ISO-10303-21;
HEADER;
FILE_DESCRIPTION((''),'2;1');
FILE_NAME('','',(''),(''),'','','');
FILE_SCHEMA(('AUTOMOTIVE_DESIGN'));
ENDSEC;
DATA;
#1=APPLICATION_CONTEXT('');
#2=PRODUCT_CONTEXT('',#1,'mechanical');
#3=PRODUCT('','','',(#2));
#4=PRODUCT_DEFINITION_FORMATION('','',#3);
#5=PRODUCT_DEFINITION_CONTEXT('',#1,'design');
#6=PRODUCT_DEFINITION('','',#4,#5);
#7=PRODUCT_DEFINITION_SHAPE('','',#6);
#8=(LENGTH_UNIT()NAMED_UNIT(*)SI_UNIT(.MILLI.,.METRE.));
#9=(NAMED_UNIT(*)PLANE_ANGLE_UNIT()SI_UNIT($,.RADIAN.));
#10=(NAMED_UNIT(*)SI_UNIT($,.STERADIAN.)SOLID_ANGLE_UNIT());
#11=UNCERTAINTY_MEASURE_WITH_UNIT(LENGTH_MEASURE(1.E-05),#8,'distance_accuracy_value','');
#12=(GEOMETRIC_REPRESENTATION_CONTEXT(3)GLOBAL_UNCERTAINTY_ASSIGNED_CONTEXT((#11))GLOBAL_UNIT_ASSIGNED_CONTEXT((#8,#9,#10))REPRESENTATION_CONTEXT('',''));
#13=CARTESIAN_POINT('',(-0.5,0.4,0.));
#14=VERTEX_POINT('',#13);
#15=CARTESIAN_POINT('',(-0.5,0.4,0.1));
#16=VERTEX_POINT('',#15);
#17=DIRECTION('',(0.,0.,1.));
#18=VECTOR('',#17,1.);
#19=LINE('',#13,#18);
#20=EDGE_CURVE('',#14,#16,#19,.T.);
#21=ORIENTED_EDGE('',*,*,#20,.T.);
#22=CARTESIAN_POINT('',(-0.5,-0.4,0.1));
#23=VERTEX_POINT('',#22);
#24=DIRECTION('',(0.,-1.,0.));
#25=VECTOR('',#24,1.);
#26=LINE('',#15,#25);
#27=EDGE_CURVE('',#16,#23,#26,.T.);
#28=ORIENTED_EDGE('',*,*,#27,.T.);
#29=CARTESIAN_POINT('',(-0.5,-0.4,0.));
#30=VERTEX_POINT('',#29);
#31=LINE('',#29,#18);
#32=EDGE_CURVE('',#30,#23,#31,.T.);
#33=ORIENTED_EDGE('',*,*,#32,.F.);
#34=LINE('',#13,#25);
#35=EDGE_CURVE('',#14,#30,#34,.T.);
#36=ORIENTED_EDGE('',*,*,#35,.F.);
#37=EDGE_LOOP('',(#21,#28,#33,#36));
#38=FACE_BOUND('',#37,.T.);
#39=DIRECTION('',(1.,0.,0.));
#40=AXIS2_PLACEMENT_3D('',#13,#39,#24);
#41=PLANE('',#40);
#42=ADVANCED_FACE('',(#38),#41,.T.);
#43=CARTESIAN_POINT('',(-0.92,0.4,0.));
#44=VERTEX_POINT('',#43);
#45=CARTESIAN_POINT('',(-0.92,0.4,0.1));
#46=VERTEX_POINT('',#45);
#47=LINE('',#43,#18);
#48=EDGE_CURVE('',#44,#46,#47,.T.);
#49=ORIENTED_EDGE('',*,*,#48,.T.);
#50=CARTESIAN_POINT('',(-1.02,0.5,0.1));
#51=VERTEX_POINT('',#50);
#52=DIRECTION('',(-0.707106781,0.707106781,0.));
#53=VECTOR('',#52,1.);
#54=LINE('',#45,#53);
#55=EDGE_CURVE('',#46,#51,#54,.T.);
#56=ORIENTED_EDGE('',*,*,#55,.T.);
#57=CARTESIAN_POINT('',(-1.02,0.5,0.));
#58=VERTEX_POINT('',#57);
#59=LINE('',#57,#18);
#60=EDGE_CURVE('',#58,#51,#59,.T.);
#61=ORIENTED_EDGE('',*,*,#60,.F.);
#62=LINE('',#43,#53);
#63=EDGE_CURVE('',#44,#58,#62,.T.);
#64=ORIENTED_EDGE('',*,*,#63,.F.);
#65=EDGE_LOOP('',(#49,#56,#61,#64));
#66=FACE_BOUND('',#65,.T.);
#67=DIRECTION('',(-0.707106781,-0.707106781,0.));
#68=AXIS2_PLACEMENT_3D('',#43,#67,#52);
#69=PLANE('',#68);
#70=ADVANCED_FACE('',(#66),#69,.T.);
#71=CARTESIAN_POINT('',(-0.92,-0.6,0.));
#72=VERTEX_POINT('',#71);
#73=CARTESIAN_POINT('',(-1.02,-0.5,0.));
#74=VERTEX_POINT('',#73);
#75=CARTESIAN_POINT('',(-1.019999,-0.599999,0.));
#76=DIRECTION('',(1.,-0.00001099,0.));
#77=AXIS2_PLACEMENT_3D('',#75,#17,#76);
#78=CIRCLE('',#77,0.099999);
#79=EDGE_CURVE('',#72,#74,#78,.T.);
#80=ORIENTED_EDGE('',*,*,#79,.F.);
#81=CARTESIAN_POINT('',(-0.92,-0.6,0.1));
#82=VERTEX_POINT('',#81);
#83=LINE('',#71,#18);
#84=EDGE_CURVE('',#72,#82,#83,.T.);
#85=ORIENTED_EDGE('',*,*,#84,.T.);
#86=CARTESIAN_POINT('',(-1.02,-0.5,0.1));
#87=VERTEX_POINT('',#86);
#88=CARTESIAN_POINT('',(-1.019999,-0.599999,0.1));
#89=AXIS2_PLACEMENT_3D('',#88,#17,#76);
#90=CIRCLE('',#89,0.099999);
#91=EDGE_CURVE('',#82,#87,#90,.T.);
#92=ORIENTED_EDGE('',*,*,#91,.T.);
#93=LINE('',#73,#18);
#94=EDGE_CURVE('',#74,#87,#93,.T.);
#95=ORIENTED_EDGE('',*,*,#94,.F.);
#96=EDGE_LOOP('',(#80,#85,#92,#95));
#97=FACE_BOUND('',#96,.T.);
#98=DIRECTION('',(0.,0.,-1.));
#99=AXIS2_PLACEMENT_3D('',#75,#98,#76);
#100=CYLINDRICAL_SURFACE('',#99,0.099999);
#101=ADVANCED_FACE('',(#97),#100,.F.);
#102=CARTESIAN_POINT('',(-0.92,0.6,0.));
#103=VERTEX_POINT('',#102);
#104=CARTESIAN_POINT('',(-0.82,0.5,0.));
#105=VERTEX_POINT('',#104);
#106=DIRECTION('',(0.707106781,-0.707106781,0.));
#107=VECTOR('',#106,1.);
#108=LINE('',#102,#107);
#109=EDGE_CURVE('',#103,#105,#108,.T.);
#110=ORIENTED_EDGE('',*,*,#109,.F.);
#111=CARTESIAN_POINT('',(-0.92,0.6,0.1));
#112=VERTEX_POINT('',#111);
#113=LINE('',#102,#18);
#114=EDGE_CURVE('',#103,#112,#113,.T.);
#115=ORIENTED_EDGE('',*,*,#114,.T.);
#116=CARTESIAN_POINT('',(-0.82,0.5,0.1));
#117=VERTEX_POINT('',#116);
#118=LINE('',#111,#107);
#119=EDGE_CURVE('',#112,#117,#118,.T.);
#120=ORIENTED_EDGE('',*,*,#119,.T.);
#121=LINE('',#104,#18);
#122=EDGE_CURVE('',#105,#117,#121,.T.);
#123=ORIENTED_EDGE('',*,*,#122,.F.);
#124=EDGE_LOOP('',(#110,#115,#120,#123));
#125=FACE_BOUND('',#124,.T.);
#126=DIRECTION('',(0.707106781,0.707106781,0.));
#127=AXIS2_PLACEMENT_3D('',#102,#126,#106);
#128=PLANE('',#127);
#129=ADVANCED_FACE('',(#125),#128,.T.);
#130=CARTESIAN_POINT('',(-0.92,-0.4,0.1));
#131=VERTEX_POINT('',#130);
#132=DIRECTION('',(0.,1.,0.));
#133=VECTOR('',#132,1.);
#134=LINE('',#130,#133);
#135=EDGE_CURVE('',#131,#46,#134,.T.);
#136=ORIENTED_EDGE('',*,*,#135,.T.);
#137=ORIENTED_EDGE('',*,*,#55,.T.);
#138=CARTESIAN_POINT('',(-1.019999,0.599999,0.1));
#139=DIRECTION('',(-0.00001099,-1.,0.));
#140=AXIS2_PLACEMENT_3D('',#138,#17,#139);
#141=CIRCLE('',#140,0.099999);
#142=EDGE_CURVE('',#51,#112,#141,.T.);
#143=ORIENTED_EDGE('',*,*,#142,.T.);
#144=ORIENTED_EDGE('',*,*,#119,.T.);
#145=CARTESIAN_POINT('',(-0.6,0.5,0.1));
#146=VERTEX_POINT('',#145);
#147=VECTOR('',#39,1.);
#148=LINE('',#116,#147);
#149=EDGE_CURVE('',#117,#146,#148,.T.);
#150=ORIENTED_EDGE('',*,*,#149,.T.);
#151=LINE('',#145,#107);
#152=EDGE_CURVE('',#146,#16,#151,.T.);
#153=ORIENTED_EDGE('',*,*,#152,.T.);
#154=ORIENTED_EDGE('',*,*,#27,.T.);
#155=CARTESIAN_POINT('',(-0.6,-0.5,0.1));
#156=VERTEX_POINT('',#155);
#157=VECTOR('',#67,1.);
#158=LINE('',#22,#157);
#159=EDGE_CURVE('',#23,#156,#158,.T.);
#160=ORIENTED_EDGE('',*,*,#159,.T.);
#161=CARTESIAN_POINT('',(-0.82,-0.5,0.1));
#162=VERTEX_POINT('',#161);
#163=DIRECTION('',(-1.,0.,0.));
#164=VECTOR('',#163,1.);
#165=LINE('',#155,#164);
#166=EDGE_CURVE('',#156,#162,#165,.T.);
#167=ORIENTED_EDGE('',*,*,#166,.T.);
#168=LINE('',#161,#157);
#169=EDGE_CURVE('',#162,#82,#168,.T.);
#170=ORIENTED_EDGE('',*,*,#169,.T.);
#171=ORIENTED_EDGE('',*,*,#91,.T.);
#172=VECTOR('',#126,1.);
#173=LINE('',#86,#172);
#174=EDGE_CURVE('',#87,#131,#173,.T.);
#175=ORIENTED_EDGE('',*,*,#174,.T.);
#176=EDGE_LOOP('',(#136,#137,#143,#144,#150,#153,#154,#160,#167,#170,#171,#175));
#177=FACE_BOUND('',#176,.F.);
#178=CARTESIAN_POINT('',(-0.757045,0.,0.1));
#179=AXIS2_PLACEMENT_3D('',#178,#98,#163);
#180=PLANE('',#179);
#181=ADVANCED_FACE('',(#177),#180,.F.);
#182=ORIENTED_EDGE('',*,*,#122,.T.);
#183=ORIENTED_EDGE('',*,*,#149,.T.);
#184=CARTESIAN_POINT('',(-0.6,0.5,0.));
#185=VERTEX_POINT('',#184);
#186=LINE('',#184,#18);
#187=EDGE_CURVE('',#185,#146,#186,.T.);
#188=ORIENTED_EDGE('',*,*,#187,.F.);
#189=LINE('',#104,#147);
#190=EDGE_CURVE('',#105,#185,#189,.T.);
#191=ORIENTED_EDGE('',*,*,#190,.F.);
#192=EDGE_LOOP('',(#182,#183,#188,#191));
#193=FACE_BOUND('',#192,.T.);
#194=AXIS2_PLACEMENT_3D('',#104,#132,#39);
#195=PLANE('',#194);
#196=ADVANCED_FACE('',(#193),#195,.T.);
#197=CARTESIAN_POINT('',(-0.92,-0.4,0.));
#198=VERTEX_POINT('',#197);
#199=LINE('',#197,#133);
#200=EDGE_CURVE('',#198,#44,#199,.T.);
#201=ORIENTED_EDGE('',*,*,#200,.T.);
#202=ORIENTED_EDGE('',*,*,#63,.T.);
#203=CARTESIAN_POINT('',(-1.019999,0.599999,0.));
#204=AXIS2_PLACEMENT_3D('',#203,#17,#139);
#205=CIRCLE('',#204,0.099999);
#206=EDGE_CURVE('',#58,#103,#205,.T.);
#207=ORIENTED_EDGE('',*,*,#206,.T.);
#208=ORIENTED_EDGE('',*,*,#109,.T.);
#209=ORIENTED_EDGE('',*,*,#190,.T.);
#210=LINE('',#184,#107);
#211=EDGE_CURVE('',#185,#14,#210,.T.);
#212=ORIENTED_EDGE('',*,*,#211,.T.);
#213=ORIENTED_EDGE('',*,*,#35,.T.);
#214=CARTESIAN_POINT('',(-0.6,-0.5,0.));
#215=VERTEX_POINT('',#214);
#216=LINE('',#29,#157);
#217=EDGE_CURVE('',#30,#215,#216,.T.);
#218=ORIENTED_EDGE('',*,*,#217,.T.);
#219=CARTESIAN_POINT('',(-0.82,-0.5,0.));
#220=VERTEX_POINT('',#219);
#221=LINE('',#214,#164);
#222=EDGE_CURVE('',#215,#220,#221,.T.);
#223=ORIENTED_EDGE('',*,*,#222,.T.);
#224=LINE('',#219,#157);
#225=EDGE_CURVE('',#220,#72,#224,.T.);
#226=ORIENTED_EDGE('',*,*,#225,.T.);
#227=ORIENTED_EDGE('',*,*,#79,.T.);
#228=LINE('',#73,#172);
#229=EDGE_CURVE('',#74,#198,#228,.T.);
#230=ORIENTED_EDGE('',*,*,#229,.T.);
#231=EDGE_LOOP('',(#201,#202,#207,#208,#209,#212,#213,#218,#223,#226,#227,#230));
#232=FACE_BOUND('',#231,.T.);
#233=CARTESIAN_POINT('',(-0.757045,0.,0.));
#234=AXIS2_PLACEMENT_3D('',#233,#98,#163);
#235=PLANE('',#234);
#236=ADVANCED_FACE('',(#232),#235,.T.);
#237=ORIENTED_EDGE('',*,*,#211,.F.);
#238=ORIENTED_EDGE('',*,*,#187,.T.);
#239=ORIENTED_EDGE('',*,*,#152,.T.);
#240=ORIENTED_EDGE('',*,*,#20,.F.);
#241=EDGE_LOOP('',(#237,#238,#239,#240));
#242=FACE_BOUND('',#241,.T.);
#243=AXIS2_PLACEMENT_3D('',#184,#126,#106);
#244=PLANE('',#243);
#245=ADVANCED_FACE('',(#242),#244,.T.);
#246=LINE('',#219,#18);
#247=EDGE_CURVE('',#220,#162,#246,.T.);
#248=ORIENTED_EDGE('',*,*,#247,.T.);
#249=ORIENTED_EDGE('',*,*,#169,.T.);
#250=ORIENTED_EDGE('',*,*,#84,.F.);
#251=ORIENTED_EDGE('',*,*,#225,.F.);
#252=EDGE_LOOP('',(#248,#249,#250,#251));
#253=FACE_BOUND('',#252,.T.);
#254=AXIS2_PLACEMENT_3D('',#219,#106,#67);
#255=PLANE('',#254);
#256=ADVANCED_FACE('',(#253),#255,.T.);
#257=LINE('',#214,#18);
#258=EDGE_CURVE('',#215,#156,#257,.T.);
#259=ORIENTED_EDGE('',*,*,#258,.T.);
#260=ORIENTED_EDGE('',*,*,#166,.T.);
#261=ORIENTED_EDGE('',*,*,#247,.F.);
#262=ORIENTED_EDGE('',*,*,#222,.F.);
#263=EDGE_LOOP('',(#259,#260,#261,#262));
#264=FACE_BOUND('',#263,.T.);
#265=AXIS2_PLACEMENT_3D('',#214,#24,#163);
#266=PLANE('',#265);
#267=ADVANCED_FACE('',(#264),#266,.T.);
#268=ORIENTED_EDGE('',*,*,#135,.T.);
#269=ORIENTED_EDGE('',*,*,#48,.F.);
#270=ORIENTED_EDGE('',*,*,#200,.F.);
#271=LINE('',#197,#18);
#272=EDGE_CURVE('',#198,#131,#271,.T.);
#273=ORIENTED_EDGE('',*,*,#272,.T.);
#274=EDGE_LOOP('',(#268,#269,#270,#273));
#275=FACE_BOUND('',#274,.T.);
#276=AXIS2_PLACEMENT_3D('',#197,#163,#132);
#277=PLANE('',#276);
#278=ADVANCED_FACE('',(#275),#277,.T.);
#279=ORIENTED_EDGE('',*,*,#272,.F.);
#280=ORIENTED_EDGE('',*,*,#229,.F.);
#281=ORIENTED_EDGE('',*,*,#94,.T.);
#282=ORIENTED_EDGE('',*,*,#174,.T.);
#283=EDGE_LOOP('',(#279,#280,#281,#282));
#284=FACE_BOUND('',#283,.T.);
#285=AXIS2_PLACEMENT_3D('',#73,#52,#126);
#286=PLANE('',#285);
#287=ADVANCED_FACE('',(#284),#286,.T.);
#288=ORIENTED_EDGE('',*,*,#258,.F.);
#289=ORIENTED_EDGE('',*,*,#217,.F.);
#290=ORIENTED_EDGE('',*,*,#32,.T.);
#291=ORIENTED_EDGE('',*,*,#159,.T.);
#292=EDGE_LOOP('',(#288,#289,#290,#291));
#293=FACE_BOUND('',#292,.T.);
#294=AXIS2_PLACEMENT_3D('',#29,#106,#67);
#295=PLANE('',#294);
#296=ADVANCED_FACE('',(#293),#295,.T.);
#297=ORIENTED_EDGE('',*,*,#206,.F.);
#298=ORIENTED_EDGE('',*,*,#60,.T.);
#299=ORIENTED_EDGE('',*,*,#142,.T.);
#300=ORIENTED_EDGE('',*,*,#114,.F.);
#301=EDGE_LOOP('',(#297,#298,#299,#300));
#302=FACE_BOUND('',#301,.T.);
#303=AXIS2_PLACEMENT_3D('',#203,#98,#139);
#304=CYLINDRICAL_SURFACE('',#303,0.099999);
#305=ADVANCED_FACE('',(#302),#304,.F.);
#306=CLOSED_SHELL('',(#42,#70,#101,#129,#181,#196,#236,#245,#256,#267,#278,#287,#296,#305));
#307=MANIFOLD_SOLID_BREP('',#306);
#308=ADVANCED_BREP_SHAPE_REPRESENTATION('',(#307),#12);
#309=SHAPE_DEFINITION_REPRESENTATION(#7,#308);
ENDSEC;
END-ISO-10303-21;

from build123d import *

# Parameters (mm, degrees)
PAD_DEPTH = 0.1


with BuildPart() as part:
    # Sketch → Pad (new body)
    with BuildSketch(Plane.XY):
        with BuildLine():
            Line((-0.5, 0.4), (-0.5, -0.4))
            Line((-0.5, -0.4), (-0.6, -0.5))
            Line((-0.6, -0.5), (-0.82, -0.5))
            Line((-0.82, -0.5), (-0.92, -0.6))
            ThreePointArc((-0.92, -0.6), (-0.949289, -0.529289), (-1.02, -0.5))
            Line((-1.02, -0.5), (-0.92, -0.4))
            Line((-0.92, -0.4), (-0.92, 0.4))
            Line((-0.92, 0.4), (-1.02, 0.5))
            ThreePointArc((-1.02, 0.5), (-0.949289, 0.529289), (-0.92, 0.6))
            Line((-0.92, 0.6), (-0.82, 0.5))
            Line((-0.82, 0.5), (-0.6, 0.5))
            Line((-0.6, 0.5), (-0.5, 0.4))
        make_face()
    extrude(amount=PAD_DEPTH)


solid = part.part
